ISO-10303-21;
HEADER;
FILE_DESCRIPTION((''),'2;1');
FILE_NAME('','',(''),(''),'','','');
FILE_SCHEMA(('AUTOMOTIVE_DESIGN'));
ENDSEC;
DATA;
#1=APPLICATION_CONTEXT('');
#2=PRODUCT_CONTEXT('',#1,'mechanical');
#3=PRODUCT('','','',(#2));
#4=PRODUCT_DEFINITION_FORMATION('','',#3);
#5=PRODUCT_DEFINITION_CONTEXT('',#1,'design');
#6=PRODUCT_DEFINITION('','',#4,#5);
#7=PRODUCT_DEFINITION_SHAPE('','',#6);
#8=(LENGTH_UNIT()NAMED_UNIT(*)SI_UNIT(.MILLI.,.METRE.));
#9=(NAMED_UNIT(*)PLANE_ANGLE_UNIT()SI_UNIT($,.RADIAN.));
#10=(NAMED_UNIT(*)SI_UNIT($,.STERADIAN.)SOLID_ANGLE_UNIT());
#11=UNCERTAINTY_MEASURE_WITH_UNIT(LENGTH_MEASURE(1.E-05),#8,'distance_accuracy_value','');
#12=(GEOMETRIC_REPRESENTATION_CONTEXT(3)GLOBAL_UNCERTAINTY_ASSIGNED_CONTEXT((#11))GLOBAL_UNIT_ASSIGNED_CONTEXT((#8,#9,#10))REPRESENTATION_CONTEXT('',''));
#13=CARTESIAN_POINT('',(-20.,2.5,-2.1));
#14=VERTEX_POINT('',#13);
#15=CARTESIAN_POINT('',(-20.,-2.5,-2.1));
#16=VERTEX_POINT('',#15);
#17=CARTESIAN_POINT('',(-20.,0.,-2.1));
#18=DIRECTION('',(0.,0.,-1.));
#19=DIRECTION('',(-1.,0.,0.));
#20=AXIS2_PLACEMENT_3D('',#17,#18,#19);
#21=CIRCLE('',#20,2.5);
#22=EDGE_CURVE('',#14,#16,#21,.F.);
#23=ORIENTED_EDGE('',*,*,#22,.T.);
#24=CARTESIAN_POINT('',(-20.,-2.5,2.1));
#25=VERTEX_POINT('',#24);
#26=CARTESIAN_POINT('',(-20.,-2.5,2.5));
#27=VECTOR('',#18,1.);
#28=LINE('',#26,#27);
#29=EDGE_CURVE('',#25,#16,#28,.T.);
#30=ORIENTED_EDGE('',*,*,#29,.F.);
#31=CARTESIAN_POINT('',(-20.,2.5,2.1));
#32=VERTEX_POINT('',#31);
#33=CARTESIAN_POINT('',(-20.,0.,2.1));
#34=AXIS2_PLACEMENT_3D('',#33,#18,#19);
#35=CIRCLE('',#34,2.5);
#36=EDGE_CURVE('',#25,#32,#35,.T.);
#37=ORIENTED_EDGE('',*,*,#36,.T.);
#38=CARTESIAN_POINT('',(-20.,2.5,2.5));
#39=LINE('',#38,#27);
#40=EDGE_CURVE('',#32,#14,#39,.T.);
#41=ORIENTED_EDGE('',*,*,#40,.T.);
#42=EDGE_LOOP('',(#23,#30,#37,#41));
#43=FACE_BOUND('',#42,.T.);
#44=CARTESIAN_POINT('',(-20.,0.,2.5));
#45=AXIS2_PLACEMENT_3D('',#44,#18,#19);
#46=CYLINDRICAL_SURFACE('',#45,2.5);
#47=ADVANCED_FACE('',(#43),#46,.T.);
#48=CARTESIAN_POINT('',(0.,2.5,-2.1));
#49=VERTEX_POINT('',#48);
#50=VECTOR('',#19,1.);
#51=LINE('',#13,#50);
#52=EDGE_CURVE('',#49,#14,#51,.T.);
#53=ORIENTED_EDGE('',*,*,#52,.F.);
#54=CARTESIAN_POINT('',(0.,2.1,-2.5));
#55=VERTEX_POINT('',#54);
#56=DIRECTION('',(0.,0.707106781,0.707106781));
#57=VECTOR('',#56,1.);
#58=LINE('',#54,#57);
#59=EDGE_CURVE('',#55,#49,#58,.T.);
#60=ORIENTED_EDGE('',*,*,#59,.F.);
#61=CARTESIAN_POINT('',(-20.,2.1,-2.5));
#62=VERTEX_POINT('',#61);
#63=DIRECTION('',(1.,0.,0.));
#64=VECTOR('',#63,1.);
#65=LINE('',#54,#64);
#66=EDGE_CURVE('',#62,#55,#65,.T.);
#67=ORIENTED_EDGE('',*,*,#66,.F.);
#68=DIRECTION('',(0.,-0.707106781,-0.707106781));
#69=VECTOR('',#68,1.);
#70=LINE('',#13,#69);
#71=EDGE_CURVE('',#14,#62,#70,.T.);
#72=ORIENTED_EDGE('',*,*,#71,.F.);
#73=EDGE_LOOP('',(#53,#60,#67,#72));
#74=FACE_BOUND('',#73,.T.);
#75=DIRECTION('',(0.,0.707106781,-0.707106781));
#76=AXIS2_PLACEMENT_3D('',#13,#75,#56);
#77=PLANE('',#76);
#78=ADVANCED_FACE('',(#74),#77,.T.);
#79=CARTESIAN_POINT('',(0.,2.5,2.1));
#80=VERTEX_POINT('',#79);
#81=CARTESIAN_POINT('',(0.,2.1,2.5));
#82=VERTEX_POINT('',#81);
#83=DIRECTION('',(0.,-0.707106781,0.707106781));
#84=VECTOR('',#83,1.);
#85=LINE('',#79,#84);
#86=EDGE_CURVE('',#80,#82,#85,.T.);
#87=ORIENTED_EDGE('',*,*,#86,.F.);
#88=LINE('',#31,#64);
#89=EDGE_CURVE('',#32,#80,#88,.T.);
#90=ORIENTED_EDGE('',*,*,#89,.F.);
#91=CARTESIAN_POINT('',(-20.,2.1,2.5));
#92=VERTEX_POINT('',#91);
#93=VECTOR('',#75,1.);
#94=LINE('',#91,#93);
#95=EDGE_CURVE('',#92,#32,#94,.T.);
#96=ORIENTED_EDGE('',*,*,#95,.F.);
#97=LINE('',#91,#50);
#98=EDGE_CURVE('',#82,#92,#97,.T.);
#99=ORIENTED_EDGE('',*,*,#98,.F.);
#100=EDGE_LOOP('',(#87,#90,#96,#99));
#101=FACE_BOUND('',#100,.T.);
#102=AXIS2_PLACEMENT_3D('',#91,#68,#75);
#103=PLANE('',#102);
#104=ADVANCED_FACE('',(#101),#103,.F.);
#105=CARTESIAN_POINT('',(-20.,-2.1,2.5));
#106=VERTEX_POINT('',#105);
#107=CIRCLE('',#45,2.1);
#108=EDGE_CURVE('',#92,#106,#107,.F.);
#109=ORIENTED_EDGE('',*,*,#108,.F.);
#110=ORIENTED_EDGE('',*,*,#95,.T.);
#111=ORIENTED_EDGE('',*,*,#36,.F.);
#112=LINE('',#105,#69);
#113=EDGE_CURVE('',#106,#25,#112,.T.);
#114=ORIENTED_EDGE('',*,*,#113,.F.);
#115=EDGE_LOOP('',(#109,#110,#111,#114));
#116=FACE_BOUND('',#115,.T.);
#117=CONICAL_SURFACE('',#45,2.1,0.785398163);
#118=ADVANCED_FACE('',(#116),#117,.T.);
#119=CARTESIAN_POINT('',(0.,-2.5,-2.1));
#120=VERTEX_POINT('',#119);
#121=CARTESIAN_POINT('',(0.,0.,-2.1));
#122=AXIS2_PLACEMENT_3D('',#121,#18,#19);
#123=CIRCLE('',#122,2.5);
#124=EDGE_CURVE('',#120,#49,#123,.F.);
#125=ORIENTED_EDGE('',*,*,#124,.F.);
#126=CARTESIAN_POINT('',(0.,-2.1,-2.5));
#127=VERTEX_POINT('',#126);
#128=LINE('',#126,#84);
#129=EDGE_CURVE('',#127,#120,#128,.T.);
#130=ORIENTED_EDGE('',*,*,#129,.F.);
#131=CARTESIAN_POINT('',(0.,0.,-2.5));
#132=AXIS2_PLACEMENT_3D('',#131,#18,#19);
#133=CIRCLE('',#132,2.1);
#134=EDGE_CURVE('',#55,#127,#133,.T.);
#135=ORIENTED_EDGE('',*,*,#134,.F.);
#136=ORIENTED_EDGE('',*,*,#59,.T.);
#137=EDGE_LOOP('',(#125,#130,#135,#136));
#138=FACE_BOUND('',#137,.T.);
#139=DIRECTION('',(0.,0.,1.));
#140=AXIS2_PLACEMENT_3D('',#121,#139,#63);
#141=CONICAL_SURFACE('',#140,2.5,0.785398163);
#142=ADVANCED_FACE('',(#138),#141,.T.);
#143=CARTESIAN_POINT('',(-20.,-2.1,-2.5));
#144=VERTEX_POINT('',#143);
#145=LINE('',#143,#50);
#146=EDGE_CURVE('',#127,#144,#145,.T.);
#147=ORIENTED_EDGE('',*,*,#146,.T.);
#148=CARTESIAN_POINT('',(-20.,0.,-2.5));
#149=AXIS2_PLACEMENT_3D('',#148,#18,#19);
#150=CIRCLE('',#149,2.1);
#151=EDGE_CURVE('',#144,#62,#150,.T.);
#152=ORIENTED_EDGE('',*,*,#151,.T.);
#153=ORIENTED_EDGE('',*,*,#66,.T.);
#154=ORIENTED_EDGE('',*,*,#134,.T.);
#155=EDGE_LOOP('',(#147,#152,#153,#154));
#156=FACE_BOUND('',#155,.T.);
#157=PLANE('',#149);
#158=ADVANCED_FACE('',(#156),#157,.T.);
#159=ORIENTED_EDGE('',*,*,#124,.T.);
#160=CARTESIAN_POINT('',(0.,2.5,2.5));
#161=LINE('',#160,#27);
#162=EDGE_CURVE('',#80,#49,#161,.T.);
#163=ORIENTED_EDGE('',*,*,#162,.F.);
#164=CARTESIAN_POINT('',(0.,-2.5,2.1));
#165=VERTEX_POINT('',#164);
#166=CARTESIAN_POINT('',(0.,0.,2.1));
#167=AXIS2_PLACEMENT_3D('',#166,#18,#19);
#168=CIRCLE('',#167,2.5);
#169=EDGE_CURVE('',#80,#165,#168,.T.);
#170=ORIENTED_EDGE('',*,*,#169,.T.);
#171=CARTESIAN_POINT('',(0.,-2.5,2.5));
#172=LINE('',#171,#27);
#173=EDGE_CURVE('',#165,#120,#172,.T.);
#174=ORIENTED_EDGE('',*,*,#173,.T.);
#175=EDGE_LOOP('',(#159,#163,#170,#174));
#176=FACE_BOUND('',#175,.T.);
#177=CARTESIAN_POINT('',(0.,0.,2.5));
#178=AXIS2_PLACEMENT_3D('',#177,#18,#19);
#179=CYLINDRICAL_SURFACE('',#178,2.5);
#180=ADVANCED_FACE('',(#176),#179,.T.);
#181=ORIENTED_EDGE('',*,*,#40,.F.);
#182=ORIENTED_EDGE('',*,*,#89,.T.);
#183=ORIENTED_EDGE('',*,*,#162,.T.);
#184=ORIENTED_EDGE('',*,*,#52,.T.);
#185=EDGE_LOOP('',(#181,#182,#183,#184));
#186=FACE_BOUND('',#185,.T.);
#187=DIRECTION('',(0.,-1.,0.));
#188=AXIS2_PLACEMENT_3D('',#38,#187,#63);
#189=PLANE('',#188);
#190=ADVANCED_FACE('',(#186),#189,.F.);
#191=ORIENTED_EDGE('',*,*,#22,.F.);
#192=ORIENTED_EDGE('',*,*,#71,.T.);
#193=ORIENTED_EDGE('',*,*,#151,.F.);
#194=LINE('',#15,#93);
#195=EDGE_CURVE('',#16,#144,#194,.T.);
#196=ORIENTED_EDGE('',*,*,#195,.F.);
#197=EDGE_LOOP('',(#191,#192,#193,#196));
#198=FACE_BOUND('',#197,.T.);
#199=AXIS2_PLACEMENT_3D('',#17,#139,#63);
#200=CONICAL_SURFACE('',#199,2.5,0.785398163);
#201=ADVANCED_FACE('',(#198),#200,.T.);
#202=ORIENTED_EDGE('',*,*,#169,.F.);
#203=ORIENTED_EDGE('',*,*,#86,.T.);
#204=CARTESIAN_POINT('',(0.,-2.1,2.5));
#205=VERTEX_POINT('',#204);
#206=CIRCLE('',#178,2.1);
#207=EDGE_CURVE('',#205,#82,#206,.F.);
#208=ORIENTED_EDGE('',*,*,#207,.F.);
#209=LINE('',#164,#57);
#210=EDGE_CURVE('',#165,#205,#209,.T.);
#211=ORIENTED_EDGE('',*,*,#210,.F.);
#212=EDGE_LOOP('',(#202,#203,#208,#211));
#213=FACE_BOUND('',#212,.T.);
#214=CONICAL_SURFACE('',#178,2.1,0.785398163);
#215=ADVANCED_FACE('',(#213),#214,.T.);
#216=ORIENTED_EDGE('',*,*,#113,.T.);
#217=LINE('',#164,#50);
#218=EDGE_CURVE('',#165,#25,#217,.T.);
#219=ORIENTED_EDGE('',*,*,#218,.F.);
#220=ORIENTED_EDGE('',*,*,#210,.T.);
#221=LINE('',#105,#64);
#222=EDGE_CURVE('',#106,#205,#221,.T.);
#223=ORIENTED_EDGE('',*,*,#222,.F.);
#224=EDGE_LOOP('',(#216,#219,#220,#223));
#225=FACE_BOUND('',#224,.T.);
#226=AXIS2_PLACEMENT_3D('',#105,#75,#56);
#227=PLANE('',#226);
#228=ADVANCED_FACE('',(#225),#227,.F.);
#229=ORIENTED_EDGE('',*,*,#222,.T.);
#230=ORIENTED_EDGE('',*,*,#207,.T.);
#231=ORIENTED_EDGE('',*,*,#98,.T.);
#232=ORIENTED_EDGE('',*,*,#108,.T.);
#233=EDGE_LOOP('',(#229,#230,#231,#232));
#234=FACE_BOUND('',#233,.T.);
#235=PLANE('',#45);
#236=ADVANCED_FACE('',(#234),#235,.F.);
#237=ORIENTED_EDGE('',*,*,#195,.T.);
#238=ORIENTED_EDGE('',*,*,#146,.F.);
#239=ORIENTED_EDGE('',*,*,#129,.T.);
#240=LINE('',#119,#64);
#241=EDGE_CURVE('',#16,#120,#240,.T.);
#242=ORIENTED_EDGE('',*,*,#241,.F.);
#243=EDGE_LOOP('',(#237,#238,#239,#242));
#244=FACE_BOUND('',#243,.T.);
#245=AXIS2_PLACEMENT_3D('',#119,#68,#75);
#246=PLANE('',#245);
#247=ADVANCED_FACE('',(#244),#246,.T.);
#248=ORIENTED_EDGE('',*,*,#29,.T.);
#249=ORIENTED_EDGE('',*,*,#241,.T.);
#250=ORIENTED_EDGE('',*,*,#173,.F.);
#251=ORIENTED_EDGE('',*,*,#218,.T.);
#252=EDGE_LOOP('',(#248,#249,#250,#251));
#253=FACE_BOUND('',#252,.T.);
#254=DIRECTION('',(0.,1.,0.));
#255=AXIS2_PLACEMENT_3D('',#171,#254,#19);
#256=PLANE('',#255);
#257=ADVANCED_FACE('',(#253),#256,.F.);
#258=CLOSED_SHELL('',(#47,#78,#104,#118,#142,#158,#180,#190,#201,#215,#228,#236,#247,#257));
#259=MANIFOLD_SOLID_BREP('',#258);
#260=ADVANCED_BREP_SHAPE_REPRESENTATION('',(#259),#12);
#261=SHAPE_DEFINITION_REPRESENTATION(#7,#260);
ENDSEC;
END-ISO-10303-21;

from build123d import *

# Parameters (mm, degrees)
BASEKEY_DEPTH = 2.5
CHAMFER1_SIZE = 0.4


with BuildPart() as part:
    # Sketch1 → BaseKey (new body, symmetric)
    with BuildSketch(Plane.XY):
        with BuildLine():
            Line((-20, 2.5), (0, 2.5))
            ThreePointArc((0, 2.5), (2.5, 0), (0, -2.5))
            Line((0, -2.5), (-20, -2.5))
            ThreePointArc((-20, -2.5), (-22.5, 0), (-20, 2.5))
        make_face()
    extrude(amount=BASEKEY_DEPTH, both=True)

    # Chamfer1
    chamfer1_edges = [part.edges().sort_by_distance(p)[0] for p in [
        (2.5, 0, 2.5),
        (-10, 2.5, 2.5),
        (-22.5, 0, 2.5),
        (-10, 2.5, -2.5),
        (2.5, 0, -2.5),
        (-10, -2.5, -2.5),
        (-22.5, 0, -2.5),
        (-10, -2.5, 2.5),
    ]]
    chamfer(chamfer1_edges, length=CHAMFER1_SIZE)


solid = part.part
